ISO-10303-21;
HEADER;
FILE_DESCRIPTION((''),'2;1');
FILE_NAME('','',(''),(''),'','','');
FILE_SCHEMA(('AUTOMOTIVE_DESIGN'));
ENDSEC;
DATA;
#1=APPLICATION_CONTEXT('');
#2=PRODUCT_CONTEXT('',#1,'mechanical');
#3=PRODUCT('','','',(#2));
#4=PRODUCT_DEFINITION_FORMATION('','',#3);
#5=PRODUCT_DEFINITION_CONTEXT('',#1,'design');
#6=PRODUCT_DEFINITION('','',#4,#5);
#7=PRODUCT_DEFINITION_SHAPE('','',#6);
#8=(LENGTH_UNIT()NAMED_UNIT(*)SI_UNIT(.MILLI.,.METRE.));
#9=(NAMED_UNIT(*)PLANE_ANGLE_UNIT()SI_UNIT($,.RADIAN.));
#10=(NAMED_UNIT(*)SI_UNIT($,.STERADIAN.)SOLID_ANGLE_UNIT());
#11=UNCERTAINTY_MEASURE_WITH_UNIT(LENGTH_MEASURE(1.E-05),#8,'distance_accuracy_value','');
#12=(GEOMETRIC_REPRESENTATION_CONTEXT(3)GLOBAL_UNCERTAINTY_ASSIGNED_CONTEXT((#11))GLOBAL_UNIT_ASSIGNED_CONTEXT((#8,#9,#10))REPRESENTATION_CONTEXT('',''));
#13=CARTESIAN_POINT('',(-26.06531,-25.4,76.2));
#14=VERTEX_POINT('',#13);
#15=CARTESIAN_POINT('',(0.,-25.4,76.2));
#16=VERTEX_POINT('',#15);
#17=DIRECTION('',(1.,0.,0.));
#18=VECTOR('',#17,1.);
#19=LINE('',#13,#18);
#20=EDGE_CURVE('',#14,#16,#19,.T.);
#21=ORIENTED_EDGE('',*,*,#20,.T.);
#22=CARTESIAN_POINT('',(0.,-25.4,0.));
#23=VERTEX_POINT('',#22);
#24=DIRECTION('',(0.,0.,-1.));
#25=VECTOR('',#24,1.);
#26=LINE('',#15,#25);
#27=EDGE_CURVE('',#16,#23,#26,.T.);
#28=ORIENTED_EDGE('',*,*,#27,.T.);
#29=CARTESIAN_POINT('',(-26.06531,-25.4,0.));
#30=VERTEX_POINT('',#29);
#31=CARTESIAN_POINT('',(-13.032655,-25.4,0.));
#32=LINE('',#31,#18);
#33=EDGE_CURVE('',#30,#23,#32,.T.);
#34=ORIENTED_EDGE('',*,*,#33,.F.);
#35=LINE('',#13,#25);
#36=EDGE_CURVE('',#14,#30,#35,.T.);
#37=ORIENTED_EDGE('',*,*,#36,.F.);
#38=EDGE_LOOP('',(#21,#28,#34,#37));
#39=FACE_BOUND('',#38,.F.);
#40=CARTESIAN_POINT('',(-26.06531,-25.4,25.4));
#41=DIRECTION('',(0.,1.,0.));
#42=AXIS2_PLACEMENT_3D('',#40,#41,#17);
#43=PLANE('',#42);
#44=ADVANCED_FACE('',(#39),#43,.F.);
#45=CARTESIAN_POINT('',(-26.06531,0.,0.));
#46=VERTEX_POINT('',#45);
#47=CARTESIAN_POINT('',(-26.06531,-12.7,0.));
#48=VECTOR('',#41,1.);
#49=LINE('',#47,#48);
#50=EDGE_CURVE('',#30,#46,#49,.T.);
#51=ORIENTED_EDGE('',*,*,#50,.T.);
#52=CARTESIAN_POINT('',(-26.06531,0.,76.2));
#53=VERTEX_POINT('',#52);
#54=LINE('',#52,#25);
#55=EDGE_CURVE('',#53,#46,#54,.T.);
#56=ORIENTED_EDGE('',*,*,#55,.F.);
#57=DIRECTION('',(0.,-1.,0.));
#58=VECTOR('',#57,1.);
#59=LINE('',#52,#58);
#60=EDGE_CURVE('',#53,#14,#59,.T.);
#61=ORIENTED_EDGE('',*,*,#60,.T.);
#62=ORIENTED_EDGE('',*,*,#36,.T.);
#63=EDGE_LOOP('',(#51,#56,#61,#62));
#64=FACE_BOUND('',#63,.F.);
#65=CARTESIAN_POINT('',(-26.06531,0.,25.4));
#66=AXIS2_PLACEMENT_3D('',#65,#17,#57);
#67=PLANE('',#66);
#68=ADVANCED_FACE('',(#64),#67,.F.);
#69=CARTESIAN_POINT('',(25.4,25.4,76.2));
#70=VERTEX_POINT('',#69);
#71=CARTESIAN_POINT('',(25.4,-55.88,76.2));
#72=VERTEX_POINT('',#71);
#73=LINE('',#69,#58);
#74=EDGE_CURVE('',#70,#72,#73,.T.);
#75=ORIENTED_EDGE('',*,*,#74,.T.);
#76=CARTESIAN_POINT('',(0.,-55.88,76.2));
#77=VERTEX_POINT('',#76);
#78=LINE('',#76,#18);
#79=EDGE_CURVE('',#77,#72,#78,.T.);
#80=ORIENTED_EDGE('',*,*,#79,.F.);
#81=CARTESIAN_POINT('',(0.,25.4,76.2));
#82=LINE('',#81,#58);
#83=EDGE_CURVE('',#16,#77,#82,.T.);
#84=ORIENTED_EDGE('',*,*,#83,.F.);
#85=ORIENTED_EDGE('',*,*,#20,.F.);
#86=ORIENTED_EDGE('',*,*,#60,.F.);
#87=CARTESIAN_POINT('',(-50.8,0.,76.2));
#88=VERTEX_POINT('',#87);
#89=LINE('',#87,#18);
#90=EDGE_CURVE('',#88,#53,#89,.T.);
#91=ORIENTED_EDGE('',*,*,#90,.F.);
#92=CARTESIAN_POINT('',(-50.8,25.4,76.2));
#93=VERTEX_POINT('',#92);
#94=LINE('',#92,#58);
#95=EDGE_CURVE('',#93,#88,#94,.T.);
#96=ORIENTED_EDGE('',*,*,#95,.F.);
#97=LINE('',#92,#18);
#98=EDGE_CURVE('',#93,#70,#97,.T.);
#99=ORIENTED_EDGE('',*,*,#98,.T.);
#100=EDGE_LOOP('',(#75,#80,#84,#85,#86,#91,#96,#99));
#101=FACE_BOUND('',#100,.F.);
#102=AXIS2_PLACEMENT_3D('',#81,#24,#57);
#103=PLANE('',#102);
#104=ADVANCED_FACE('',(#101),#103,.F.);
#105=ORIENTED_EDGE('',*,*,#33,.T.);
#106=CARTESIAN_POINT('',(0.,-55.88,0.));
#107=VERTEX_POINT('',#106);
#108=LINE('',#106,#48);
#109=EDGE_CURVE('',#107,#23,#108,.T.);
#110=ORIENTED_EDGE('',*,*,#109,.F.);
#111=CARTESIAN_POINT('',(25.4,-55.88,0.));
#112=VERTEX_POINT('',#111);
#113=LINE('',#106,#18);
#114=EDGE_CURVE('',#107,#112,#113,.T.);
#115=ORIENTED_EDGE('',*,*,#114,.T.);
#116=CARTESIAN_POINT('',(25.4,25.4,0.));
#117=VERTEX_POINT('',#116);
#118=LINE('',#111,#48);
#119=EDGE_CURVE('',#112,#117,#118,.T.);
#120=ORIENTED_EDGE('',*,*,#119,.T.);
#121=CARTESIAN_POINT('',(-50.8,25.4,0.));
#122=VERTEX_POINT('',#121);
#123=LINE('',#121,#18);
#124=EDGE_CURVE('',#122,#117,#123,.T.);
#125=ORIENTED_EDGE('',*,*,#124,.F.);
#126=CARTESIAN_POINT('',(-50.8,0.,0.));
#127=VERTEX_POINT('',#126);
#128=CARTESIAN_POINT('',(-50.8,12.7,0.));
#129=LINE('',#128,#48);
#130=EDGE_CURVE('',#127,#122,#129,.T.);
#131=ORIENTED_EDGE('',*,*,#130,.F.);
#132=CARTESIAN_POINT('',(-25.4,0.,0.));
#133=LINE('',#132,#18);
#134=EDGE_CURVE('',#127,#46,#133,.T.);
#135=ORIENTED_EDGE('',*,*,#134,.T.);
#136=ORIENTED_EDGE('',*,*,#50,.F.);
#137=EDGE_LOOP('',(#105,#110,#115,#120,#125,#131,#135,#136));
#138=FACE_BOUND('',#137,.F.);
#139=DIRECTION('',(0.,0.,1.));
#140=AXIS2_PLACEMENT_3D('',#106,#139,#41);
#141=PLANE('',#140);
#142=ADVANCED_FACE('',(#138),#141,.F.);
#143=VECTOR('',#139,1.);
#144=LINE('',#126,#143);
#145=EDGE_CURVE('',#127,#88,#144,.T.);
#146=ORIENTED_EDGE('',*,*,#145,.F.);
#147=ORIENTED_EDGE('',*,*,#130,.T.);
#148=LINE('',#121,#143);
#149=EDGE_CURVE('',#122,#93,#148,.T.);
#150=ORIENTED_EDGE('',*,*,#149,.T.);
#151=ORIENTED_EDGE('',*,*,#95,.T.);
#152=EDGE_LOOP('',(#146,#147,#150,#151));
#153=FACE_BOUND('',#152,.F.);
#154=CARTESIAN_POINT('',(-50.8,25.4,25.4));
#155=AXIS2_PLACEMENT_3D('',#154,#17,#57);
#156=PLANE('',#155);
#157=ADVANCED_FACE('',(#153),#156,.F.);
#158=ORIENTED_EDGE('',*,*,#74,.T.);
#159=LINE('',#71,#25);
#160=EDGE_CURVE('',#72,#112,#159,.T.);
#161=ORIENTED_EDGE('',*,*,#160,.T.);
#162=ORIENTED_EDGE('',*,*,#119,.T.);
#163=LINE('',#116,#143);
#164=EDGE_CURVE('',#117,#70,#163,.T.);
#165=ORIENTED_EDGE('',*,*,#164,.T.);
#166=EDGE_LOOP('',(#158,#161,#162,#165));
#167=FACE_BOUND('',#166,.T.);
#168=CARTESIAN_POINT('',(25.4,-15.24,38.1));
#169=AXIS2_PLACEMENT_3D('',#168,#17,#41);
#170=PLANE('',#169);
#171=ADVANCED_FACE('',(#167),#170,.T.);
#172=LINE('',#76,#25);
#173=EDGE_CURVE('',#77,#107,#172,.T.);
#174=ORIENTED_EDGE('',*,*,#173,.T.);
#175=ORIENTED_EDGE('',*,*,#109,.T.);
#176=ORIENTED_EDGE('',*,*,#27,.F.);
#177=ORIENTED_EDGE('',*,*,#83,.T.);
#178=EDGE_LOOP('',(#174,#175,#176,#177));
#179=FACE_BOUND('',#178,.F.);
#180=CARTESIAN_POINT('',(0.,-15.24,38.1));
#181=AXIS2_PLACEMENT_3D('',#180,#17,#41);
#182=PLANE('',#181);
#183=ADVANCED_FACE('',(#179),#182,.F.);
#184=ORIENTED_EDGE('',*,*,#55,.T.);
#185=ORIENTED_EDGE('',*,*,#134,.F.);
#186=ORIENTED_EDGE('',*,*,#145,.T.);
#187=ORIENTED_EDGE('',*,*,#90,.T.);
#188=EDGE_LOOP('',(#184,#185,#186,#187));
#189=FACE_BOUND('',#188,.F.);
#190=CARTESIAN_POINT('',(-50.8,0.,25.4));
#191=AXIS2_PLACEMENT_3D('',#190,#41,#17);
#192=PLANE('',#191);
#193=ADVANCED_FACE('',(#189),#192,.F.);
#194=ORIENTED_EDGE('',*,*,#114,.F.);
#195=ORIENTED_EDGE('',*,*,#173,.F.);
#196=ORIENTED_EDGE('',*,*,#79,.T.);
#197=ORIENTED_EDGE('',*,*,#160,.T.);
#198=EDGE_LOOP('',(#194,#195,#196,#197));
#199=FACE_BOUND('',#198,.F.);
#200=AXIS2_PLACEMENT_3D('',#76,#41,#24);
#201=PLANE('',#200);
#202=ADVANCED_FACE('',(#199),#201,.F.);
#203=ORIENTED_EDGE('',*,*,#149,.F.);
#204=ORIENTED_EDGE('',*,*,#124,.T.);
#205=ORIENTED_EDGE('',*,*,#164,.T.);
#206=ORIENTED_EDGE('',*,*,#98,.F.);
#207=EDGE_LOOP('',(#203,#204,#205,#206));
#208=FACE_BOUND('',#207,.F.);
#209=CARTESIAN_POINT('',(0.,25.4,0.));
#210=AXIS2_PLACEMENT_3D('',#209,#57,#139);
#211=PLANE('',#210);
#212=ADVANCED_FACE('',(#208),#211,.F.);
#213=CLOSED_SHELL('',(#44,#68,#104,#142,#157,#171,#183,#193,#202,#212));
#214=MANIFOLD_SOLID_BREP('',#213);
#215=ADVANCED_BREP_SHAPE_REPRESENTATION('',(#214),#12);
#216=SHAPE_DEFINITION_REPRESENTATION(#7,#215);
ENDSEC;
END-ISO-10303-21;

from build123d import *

# Parameters (mm, degrees)
F0_W     = 50.8
F0_H     = 25.4
F1_DEPTH = 25.4
F2_W     = 26.06531
F2_H     = 25.4
F3_DEPTH = 25.4
F5_DEPTH = 50.8
F7_DEPTH = 25.4


with BuildPart() as f1:
    # F0 (on Top) → F1 (new body)
    with BuildSketch(Plane.XY):
        with Locations((-25.4, 12.7)):
            Rectangle(F0_W, F0_H)
    extrude(amount=F1_DEPTH)

    # F2 (on Top) → F3 (join)
    with BuildSketch(Plane.XY):
        with Locations((-13.032655, -12.7)):
            Rectangle(F2_W, F2_H)
    extrude(amount=F3_DEPTH)

    # F4 (on face) → F5 (join)
    with BuildSketch(Plane.XY.offset(25.4)):
        Polygon((0, -25.4), (0, 25.4), (-50.8, 25.4), (-50.8, 0), (-26.06531, 0), (-26.06531, -25.4), align=None)
    extrude(amount=F5_DEPTH)

    # F6 (on face) → F7 (join)
    with BuildSketch(Plane.YZ):
        Polygon((-55.88, 0), (-25.4, 0), (25.4, 0), (25.4, 76.2), (-23.200989, 76.2), (-55.88, 76.2), align=None)
    extrude(amount=F7_DEPTH)


solid = f1.part
